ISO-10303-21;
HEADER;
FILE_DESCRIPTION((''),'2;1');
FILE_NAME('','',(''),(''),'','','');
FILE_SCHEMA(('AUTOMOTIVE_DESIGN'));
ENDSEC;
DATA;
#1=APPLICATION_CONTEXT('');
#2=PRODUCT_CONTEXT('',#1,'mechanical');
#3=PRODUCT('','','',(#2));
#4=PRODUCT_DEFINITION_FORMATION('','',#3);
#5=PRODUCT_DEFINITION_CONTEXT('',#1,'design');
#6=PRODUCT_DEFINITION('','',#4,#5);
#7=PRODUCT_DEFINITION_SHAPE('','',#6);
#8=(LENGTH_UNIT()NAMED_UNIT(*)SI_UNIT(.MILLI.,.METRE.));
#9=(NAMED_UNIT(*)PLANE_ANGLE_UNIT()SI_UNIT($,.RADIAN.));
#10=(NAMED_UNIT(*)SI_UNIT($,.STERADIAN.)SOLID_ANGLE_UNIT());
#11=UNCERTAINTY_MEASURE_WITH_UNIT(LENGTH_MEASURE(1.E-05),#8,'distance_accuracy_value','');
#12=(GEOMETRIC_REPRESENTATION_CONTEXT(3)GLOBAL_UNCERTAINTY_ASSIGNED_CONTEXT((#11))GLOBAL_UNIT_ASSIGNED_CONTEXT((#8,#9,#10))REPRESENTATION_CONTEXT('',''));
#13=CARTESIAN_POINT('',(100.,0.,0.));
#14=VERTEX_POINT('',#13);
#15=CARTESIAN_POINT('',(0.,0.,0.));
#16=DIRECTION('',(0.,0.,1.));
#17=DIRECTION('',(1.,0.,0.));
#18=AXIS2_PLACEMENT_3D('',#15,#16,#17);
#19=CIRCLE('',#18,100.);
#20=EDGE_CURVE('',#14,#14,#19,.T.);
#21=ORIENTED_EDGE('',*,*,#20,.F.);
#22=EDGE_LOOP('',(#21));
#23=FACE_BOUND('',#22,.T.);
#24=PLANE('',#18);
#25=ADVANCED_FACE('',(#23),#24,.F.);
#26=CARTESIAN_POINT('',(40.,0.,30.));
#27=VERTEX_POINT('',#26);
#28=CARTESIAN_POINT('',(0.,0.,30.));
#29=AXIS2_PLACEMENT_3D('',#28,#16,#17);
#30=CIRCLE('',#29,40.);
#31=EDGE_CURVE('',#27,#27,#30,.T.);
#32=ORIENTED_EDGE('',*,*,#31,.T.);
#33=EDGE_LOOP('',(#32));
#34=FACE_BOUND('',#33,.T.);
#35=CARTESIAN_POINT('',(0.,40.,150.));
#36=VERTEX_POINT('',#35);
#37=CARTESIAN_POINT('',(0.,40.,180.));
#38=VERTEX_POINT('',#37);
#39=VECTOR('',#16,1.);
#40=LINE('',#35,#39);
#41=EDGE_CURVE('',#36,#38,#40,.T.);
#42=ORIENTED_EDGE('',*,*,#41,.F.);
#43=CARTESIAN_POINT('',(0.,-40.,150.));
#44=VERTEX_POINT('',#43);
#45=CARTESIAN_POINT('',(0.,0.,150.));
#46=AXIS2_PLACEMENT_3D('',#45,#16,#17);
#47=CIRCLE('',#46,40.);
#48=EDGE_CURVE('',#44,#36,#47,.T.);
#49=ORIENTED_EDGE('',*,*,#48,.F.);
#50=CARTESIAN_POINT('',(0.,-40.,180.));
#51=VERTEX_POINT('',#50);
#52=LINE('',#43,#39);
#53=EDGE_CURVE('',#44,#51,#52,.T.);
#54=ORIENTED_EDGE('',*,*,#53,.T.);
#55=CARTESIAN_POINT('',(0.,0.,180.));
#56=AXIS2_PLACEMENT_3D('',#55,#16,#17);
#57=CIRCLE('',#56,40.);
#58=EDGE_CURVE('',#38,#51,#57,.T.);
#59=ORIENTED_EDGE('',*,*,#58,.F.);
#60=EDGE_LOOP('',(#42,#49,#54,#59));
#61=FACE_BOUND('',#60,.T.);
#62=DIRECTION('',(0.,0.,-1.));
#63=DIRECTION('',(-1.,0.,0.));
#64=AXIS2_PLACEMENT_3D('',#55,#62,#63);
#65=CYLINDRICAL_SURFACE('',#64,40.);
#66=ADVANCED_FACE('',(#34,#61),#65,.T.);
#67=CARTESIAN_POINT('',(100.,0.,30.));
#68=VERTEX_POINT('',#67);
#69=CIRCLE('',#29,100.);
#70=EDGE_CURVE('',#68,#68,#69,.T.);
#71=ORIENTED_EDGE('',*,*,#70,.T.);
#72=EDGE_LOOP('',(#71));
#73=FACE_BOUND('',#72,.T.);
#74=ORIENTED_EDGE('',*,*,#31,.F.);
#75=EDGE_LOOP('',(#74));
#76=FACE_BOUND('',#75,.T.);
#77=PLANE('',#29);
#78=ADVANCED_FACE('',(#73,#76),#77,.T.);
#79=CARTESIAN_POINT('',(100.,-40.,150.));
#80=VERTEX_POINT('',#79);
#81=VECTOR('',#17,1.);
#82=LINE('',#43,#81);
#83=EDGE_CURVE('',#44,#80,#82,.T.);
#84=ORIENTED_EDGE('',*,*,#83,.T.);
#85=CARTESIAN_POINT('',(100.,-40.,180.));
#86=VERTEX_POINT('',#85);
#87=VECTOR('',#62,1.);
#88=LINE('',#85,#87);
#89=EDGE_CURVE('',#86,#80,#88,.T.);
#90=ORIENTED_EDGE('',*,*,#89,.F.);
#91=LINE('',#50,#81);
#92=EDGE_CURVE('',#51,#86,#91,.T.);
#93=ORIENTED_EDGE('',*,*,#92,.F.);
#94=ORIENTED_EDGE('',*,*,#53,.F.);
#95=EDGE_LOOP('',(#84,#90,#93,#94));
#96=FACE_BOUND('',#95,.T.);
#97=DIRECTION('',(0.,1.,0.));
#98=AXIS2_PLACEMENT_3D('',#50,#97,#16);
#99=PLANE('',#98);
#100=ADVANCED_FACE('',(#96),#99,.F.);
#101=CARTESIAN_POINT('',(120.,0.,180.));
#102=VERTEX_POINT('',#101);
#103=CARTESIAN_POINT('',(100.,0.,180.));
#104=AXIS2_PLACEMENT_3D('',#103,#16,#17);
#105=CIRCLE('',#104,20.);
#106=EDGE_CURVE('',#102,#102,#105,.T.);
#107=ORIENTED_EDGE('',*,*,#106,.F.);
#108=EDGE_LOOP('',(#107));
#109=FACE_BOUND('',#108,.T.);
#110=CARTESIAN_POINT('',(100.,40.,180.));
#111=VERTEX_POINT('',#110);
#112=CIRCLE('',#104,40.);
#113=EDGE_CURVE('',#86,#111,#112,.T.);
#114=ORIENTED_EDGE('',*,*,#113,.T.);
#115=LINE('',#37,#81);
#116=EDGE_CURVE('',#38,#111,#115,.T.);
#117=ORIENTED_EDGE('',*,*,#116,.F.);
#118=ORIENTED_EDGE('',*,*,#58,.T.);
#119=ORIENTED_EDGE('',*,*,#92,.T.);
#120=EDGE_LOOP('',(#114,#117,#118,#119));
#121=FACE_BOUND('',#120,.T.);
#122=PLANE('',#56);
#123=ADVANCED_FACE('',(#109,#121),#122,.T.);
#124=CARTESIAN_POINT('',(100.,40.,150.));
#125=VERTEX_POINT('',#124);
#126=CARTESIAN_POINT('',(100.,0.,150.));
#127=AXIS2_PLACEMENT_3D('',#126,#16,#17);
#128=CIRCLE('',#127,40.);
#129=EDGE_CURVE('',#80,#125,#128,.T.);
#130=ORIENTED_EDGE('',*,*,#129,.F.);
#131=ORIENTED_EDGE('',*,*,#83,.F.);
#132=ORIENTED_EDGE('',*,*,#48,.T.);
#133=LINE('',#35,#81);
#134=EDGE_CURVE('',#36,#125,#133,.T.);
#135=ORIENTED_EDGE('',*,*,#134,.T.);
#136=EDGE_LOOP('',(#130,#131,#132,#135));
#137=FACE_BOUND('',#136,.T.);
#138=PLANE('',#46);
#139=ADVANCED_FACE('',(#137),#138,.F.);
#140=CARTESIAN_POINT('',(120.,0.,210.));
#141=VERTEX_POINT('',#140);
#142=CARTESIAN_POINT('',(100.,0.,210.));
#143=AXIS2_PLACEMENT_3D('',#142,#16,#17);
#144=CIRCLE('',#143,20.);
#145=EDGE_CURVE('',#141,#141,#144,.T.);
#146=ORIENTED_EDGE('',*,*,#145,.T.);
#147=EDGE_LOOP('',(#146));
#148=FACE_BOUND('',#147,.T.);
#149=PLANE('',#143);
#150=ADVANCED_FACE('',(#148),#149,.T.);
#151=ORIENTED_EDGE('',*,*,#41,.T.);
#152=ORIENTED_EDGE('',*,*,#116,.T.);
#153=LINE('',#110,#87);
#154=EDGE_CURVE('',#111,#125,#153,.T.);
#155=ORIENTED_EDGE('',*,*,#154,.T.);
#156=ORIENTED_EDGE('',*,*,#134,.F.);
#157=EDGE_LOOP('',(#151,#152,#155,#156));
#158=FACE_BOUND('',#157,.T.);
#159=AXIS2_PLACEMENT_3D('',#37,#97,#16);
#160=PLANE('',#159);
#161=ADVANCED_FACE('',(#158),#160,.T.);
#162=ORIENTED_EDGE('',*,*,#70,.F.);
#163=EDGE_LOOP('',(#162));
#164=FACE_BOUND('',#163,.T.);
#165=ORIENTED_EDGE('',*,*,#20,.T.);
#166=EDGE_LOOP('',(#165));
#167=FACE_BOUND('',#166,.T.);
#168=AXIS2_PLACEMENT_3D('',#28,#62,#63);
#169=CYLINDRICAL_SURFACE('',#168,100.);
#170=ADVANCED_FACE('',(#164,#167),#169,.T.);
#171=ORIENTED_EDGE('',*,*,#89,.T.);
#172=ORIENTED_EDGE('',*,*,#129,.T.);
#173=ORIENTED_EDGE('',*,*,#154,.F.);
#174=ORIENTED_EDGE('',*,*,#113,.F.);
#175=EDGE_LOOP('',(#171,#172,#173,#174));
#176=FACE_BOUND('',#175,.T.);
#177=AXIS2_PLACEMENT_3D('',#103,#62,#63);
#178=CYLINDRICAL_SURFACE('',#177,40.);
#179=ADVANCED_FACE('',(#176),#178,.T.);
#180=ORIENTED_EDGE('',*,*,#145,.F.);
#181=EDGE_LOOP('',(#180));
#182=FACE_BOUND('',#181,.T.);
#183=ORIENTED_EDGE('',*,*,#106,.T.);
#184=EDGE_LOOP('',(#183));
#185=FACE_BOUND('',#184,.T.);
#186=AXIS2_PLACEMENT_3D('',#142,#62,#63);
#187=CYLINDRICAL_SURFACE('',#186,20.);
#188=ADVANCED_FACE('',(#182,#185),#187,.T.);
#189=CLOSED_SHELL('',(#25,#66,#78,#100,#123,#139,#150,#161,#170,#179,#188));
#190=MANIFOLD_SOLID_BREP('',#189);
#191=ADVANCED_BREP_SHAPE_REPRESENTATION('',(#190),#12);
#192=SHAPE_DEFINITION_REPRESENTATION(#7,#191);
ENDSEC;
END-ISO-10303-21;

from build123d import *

# Parameters (mm, degrees)
SKETCH2_R           = 100
BOSS_EXTRUDE1_DEPTH = 30
SKETCH3_R           = 40
BOSS_EXTRUDE2_DEPTH = 150
CUT_EXTRUDE1_START  = -30
CUT_EXTRUDE1_DEPTH  = 30
BOSS_EXTRUDE6_DEPTH = 30
SKETCH6_R           = 20
BOSS_EXTRUDE7_DEPTH = 30


with BuildPart() as part:
    # Sketch2 → Boss-Extrude1 (new body)
    with BuildSketch(Plane.XY):
        Circle(SKETCH2_R)
    extrude(amount=BOSS_EXTRUDE1_DEPTH)

    # Sketch3 → Boss-Extrude2 (add)
    with BuildSketch(Plane.XY.offset(30)):
        Circle(SKETCH3_R)
    extrude(amount=BOSS_EXTRUDE2_DEPTH)

    # Sketch4 → Cut-Extrude1 (cut)
    with BuildSketch(Plane.XY.offset(180).offset(CUT_EXTRUDE1_START)):
        with BuildLine():
            Line((0, 40), (0, -40))
            ThreePointArc((0, -40), (40, 0), (0, 40))
        make_face()
    extrude(amount=CUT_EXTRUDE1_DEPTH, mode=Mode.SUBTRACT)

    # Sketch5 → Boss-Extrude6 (add)
    with BuildSketch(Plane.XY.offset(150)):
        with BuildLine():
            Line((100, 40), (0, 40))
            Line((0, 40), (0, -40))
            Line((0, -40), (100, -40))
            ThreePointArc((100, -40), (140, 0), (100, 40))
        make_face()
    extrude(amount=BOSS_EXTRUDE6_DEPTH)

    # Sketch6 → Boss-Extrude7 (add)
    with BuildSketch(Plane.XY.offset(180)):
        with Locations((100, 0)):
            Circle(SKETCH6_R)
    extrude(amount=BOSS_EXTRUDE7_DEPTH)


solid = part.part
